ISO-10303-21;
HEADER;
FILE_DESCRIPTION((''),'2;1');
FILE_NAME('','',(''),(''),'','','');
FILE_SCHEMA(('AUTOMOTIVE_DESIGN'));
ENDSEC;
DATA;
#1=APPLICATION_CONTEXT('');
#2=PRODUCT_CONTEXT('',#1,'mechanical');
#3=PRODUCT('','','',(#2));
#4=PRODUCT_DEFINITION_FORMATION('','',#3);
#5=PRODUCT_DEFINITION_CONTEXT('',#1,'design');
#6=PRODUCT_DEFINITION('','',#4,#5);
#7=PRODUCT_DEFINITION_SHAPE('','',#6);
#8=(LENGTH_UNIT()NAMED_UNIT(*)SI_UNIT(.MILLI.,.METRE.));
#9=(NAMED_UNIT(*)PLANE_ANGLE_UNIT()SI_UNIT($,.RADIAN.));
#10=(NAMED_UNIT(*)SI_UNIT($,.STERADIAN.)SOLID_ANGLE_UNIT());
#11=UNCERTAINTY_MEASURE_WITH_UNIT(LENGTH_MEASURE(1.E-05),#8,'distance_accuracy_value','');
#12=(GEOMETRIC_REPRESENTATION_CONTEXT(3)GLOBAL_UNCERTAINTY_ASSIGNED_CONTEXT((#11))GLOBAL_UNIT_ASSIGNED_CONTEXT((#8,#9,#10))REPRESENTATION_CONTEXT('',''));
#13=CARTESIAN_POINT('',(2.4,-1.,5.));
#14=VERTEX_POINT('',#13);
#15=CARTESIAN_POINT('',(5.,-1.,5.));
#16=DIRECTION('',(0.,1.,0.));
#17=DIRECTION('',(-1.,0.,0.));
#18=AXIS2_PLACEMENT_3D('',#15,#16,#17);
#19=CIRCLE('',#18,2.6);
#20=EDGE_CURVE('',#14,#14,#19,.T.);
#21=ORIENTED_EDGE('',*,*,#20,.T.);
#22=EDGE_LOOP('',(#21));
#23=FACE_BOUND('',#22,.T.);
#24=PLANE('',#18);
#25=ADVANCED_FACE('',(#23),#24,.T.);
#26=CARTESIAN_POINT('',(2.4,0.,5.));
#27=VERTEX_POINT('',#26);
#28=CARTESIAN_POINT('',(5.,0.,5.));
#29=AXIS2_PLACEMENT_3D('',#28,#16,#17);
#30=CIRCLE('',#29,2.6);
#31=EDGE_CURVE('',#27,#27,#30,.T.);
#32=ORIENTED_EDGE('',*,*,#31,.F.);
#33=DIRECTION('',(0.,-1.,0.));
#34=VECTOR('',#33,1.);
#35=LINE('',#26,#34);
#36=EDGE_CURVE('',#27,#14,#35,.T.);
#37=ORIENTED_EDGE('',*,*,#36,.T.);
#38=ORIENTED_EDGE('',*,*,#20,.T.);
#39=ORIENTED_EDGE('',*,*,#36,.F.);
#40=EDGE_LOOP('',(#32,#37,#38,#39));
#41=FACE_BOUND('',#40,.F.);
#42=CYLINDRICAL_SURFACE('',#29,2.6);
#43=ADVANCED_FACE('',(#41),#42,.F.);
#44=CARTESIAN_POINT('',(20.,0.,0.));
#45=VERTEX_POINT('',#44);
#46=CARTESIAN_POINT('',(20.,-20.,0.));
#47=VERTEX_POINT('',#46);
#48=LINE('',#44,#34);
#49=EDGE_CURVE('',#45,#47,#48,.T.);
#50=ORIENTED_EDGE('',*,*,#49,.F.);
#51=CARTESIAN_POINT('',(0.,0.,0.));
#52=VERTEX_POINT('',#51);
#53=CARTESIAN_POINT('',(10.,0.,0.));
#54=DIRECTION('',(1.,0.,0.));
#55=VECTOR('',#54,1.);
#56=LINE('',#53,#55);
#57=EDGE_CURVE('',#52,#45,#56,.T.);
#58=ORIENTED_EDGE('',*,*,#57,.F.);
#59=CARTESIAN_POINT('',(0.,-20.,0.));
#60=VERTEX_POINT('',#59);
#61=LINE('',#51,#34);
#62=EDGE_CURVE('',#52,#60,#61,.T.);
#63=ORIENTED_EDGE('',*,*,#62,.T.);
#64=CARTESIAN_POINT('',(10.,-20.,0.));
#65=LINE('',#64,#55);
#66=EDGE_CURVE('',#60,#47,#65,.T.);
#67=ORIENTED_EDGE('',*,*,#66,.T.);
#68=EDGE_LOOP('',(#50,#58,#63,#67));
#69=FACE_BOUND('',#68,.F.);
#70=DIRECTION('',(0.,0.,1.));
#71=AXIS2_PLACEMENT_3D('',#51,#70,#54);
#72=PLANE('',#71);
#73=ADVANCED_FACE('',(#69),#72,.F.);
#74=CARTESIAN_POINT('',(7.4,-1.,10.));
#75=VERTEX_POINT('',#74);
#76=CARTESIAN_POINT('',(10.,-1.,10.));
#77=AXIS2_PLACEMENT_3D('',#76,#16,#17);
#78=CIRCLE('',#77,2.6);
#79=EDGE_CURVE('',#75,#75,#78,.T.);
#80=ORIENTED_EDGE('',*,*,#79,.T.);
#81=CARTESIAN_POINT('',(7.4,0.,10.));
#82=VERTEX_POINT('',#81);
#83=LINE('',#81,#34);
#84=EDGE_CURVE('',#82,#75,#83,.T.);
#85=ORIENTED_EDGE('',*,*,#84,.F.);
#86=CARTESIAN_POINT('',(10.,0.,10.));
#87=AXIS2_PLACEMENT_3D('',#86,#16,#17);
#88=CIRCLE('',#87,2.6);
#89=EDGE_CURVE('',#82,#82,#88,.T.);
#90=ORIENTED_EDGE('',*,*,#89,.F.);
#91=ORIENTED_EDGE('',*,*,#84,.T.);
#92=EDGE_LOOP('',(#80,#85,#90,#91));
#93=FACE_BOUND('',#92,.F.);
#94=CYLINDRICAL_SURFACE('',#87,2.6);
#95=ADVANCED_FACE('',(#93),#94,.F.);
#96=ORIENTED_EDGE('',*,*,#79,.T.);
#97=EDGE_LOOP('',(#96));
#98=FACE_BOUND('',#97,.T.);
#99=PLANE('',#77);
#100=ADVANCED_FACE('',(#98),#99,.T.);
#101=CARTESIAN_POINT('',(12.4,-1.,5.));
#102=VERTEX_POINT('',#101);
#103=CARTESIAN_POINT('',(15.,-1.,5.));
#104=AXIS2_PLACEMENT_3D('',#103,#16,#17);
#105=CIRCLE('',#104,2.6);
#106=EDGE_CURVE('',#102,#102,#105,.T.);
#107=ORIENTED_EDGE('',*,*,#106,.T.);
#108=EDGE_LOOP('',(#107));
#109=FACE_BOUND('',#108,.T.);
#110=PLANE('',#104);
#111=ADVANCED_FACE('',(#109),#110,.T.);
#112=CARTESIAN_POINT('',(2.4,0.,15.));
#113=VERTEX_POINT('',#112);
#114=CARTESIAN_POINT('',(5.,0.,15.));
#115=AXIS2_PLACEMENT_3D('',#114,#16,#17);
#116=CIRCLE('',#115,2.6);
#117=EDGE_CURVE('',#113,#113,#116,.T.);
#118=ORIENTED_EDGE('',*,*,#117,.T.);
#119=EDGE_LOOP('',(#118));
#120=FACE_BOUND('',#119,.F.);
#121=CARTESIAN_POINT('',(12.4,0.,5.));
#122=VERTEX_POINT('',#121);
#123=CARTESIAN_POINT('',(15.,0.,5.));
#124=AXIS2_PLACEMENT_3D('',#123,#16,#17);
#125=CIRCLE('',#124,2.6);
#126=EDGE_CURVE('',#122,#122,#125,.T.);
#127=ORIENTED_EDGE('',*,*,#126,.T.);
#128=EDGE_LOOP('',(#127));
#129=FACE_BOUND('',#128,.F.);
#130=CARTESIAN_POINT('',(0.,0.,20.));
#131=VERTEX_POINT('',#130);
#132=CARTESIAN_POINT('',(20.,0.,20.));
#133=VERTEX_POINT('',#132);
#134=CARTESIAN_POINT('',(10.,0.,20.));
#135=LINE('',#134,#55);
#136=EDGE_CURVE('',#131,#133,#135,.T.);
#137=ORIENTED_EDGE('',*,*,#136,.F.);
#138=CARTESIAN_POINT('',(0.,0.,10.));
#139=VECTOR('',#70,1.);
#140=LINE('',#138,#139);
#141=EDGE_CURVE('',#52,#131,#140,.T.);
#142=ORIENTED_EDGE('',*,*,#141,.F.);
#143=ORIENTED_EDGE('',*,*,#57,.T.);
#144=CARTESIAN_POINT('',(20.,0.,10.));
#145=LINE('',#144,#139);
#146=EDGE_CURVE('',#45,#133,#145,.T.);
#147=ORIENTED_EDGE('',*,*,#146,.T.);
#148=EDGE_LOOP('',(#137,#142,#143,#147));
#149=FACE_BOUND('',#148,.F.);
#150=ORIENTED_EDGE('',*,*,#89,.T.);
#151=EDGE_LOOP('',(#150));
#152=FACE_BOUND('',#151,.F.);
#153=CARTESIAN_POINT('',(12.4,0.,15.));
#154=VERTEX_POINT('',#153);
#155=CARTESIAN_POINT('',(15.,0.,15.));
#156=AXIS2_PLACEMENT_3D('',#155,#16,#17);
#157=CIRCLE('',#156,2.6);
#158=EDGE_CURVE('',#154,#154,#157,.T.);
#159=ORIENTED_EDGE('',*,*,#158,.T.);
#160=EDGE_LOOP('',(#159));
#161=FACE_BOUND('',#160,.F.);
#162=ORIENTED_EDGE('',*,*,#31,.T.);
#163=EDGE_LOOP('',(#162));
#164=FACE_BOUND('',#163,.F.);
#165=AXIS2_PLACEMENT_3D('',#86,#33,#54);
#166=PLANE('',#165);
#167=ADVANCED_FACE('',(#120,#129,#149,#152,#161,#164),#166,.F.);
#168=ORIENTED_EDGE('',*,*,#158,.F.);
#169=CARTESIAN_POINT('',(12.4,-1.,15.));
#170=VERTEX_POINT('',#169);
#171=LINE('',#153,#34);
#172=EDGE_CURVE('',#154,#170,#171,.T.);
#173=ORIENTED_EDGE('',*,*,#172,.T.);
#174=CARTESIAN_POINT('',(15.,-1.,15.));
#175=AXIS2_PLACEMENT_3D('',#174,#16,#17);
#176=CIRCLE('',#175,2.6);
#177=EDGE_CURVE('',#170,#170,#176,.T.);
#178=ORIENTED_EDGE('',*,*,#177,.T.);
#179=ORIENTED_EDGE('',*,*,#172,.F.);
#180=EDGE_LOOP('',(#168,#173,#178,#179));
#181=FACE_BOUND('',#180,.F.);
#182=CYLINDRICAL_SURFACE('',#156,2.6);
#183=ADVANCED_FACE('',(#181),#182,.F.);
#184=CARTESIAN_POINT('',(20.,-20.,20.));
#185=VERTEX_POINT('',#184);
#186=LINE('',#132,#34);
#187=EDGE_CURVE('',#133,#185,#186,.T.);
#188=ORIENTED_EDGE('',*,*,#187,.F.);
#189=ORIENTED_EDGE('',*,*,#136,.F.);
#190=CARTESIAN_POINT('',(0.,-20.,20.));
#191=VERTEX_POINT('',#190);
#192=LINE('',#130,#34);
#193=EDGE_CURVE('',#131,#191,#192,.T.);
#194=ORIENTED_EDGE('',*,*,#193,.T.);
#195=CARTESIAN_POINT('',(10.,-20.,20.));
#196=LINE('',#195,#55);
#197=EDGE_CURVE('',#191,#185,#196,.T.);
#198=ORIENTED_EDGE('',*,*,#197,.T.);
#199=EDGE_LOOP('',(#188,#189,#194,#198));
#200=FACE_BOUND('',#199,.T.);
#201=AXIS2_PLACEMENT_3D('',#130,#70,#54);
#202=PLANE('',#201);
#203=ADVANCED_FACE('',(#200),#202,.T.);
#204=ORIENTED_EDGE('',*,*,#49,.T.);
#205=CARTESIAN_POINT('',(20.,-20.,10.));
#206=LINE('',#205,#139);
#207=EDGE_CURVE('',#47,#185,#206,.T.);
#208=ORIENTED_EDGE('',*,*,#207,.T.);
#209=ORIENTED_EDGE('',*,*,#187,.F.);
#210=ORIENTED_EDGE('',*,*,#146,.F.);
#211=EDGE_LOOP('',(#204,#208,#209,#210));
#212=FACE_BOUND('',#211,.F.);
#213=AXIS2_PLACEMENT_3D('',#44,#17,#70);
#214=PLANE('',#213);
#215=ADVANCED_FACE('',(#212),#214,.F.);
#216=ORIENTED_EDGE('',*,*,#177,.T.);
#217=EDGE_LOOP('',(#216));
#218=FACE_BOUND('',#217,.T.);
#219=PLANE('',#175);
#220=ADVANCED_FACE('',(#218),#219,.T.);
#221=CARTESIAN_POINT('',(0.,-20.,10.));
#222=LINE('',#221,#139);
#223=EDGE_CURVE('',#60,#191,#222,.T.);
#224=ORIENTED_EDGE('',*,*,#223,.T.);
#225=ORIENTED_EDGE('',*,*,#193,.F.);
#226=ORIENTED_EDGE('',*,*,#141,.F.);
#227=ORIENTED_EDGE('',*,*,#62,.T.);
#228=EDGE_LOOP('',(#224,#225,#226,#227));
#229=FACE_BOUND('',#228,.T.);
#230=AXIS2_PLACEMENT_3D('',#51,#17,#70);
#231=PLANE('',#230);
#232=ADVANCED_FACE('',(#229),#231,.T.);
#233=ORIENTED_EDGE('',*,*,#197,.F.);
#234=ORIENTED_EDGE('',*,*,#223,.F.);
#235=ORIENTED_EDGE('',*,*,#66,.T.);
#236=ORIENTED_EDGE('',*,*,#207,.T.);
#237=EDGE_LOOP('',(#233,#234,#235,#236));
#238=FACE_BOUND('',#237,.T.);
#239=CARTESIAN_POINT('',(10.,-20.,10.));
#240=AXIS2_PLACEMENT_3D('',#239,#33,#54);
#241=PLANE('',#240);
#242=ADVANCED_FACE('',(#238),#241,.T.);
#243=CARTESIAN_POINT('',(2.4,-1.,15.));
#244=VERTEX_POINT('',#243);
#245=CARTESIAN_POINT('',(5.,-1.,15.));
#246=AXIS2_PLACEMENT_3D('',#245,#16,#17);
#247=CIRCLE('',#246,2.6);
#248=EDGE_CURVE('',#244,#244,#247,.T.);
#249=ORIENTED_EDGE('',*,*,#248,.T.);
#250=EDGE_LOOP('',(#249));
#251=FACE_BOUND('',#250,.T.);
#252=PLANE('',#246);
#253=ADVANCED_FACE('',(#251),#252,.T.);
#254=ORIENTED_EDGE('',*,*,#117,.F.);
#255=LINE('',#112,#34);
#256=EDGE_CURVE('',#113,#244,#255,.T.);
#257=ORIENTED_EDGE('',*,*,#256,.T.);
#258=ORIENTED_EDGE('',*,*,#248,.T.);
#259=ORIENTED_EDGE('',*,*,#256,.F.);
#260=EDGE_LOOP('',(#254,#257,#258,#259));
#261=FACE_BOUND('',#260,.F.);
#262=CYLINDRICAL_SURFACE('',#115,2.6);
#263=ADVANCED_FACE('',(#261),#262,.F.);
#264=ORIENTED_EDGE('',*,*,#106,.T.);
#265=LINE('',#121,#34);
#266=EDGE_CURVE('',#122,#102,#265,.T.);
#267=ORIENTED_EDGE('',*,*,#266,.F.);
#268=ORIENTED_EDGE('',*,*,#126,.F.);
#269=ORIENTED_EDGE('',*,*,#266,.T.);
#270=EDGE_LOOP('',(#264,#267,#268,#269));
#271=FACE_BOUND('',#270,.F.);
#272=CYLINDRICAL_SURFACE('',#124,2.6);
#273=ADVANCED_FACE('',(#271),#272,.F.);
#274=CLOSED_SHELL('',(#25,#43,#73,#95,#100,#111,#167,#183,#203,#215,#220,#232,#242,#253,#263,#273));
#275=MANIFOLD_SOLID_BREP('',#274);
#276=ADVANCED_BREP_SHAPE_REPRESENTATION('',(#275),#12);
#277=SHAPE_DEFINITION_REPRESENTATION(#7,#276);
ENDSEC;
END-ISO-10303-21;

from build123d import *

# Parameters (mm, degrees)
F0_W     = 20
F0_H     = 20
F1_DEPTH = 20
F2_R     = 2.6
F3_DEPTH = 1


with BuildPart() as f1:
    # F0 (on Front) → F1 (new body)
    with BuildSketch(Plane.XZ):
        with Locations((10, 10)):
            Rectangle(F0_W, F0_H)
    extrude(amount=F1_DEPTH)

    # F2 (on face) → F3 (cut)
    with BuildSketch(Plane(origin=(0, 0, 0), x_dir=(-1, 0, 0), z_dir=(0, 1, 0))):
        with Locations((-10, 10)):
            Circle(F2_R)
        with Locations((-15, 15)):
            Circle(F2_R)
        with Locations((-5, 15)):
            Circle(F2_R)
        with Locations((-15, 5)):
            Circle(F2_R)
        with Locations((-5, 5)):
            Circle(F2_R)
    extrude(amount=-F3_DEPTH, mode=Mode.SUBTRACT)


solid = f1.part
